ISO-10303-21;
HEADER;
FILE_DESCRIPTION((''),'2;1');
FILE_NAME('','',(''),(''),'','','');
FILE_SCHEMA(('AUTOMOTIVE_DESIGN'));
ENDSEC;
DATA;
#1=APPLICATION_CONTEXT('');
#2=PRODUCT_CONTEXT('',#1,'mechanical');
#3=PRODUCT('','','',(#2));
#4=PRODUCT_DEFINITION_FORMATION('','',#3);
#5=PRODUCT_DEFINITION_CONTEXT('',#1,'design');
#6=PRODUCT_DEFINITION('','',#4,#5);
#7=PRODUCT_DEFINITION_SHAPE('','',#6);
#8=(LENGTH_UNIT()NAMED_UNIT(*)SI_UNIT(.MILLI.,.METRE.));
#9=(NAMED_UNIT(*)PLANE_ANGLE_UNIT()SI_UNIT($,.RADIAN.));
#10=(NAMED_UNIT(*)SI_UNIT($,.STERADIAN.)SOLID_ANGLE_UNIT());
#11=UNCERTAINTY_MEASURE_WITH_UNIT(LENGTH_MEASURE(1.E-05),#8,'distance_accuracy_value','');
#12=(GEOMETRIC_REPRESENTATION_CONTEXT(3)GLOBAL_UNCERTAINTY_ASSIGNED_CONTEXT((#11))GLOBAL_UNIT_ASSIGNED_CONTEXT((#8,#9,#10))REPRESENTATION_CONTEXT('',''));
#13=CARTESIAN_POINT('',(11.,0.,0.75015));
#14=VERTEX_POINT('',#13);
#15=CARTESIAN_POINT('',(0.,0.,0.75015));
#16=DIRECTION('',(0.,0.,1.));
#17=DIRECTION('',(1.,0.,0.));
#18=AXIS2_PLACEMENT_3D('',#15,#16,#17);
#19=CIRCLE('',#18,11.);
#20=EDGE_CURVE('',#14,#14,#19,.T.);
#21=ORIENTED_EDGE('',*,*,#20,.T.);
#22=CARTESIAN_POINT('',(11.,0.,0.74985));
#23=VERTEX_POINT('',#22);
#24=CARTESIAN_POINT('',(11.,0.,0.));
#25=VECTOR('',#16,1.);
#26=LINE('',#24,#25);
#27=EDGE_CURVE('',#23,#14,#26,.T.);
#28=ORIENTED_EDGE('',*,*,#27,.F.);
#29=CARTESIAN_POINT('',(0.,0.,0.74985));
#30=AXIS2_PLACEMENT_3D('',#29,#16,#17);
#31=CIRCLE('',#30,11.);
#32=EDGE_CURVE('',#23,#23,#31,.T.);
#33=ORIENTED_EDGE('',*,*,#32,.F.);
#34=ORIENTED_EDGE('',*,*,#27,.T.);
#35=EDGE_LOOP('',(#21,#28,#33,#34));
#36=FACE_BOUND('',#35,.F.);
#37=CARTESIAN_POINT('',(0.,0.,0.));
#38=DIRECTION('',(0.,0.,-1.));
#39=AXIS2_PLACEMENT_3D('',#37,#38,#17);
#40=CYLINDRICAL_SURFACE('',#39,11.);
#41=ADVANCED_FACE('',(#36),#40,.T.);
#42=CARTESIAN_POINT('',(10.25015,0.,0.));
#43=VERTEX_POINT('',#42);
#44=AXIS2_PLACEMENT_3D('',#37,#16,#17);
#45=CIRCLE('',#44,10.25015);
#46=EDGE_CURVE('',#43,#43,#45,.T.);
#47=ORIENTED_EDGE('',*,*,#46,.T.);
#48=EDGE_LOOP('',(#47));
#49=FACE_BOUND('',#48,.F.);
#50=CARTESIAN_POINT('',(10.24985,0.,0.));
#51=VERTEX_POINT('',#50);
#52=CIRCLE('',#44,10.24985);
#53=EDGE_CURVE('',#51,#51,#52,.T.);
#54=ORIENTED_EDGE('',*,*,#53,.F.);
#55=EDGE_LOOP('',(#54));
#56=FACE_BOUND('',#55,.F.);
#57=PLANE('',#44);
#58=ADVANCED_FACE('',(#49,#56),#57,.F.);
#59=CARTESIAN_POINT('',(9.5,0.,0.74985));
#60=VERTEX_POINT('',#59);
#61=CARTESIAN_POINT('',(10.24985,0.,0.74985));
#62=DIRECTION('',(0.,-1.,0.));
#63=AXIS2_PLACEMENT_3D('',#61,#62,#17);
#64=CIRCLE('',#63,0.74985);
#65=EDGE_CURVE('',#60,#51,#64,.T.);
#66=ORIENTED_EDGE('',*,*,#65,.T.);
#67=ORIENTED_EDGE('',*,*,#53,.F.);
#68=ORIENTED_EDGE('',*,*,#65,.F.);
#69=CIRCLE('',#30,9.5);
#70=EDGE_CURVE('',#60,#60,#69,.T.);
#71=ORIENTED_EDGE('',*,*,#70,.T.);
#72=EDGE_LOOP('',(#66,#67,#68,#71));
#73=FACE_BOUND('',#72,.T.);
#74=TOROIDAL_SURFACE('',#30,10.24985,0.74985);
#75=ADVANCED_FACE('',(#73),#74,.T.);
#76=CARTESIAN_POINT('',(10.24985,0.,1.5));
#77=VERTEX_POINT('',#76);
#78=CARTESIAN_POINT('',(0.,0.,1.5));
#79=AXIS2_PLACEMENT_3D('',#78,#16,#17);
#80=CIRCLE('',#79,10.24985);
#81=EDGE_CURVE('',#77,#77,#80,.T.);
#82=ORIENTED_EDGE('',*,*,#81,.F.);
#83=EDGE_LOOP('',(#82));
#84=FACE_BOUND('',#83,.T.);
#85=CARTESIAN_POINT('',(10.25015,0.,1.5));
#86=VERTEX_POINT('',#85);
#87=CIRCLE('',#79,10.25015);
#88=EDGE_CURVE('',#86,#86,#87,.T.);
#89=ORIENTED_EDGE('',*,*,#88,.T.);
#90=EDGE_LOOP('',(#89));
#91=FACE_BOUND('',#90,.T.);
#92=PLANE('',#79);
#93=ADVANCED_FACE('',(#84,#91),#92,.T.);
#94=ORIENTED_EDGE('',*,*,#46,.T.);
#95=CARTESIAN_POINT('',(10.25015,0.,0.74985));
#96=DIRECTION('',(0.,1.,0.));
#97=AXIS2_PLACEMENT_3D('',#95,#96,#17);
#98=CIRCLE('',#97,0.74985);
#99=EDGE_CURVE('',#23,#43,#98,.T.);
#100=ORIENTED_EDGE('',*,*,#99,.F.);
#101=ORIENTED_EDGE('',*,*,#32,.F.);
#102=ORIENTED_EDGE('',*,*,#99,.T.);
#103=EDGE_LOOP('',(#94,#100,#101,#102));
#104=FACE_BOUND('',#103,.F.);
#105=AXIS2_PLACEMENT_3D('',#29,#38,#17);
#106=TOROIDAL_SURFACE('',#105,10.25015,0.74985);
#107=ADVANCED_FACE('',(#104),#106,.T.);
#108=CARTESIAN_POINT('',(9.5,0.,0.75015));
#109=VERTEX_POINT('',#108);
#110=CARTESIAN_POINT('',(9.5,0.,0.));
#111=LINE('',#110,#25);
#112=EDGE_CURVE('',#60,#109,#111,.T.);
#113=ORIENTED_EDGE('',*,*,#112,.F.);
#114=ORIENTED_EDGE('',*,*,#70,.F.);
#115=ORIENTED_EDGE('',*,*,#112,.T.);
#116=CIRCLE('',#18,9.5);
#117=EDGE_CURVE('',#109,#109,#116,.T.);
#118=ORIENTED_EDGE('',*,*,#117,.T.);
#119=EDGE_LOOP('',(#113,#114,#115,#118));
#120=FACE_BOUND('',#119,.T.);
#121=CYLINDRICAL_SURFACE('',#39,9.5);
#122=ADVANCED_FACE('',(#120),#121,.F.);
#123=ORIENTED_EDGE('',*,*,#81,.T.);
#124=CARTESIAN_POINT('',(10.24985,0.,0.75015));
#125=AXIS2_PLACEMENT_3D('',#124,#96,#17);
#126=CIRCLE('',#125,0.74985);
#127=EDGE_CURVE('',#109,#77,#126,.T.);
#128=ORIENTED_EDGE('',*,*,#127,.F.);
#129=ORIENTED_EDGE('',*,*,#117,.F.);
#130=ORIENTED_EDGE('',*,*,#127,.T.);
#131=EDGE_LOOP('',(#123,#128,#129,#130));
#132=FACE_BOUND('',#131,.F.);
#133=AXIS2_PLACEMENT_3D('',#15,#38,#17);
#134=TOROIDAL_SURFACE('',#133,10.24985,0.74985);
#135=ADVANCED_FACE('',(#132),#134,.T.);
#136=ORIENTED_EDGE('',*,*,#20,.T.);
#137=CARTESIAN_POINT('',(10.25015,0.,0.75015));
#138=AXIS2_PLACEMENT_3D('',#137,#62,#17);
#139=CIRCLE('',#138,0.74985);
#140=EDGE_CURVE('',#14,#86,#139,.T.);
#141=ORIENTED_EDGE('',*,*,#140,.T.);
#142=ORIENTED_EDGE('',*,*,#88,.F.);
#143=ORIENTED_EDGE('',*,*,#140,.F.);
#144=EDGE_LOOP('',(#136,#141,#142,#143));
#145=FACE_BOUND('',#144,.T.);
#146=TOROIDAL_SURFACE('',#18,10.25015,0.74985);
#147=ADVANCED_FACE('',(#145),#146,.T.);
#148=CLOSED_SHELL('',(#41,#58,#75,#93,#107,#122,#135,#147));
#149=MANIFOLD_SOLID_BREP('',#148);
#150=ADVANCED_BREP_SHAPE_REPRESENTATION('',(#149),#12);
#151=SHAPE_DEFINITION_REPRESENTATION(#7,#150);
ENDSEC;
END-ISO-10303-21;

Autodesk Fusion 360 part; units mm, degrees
sketch "Sketch1" plane through (0, 0, 0) normal (0, 0, 1) x (1, 0, 0)
  circle A0 centre (0, 0) radius 11
  circle A1 centre (0, 0) radius 9.5
  dimension "d1" = 22
  dimension "d2" = 19
extrude "Extrude1" add sketch "Sketch1" along normal blind 1.5
fillet "Fillet1" radius 0.75 4 edges at (-10.2556, -3.9778, 1.5) (-10.2556, -3.9778, 0) (-8.8571, 3.4353, 1.5) (-8.8571, 3.4353, 0)
equation "d1 = outerDiameter"
equation "d2 = innerDiameter"
equation "d3 = height"
equation "d6 = height / 2"
equation "outerDiameter = 22 mm"
equation "innerDiameter = 19 mm"
equation "height = 1.5 mm"
